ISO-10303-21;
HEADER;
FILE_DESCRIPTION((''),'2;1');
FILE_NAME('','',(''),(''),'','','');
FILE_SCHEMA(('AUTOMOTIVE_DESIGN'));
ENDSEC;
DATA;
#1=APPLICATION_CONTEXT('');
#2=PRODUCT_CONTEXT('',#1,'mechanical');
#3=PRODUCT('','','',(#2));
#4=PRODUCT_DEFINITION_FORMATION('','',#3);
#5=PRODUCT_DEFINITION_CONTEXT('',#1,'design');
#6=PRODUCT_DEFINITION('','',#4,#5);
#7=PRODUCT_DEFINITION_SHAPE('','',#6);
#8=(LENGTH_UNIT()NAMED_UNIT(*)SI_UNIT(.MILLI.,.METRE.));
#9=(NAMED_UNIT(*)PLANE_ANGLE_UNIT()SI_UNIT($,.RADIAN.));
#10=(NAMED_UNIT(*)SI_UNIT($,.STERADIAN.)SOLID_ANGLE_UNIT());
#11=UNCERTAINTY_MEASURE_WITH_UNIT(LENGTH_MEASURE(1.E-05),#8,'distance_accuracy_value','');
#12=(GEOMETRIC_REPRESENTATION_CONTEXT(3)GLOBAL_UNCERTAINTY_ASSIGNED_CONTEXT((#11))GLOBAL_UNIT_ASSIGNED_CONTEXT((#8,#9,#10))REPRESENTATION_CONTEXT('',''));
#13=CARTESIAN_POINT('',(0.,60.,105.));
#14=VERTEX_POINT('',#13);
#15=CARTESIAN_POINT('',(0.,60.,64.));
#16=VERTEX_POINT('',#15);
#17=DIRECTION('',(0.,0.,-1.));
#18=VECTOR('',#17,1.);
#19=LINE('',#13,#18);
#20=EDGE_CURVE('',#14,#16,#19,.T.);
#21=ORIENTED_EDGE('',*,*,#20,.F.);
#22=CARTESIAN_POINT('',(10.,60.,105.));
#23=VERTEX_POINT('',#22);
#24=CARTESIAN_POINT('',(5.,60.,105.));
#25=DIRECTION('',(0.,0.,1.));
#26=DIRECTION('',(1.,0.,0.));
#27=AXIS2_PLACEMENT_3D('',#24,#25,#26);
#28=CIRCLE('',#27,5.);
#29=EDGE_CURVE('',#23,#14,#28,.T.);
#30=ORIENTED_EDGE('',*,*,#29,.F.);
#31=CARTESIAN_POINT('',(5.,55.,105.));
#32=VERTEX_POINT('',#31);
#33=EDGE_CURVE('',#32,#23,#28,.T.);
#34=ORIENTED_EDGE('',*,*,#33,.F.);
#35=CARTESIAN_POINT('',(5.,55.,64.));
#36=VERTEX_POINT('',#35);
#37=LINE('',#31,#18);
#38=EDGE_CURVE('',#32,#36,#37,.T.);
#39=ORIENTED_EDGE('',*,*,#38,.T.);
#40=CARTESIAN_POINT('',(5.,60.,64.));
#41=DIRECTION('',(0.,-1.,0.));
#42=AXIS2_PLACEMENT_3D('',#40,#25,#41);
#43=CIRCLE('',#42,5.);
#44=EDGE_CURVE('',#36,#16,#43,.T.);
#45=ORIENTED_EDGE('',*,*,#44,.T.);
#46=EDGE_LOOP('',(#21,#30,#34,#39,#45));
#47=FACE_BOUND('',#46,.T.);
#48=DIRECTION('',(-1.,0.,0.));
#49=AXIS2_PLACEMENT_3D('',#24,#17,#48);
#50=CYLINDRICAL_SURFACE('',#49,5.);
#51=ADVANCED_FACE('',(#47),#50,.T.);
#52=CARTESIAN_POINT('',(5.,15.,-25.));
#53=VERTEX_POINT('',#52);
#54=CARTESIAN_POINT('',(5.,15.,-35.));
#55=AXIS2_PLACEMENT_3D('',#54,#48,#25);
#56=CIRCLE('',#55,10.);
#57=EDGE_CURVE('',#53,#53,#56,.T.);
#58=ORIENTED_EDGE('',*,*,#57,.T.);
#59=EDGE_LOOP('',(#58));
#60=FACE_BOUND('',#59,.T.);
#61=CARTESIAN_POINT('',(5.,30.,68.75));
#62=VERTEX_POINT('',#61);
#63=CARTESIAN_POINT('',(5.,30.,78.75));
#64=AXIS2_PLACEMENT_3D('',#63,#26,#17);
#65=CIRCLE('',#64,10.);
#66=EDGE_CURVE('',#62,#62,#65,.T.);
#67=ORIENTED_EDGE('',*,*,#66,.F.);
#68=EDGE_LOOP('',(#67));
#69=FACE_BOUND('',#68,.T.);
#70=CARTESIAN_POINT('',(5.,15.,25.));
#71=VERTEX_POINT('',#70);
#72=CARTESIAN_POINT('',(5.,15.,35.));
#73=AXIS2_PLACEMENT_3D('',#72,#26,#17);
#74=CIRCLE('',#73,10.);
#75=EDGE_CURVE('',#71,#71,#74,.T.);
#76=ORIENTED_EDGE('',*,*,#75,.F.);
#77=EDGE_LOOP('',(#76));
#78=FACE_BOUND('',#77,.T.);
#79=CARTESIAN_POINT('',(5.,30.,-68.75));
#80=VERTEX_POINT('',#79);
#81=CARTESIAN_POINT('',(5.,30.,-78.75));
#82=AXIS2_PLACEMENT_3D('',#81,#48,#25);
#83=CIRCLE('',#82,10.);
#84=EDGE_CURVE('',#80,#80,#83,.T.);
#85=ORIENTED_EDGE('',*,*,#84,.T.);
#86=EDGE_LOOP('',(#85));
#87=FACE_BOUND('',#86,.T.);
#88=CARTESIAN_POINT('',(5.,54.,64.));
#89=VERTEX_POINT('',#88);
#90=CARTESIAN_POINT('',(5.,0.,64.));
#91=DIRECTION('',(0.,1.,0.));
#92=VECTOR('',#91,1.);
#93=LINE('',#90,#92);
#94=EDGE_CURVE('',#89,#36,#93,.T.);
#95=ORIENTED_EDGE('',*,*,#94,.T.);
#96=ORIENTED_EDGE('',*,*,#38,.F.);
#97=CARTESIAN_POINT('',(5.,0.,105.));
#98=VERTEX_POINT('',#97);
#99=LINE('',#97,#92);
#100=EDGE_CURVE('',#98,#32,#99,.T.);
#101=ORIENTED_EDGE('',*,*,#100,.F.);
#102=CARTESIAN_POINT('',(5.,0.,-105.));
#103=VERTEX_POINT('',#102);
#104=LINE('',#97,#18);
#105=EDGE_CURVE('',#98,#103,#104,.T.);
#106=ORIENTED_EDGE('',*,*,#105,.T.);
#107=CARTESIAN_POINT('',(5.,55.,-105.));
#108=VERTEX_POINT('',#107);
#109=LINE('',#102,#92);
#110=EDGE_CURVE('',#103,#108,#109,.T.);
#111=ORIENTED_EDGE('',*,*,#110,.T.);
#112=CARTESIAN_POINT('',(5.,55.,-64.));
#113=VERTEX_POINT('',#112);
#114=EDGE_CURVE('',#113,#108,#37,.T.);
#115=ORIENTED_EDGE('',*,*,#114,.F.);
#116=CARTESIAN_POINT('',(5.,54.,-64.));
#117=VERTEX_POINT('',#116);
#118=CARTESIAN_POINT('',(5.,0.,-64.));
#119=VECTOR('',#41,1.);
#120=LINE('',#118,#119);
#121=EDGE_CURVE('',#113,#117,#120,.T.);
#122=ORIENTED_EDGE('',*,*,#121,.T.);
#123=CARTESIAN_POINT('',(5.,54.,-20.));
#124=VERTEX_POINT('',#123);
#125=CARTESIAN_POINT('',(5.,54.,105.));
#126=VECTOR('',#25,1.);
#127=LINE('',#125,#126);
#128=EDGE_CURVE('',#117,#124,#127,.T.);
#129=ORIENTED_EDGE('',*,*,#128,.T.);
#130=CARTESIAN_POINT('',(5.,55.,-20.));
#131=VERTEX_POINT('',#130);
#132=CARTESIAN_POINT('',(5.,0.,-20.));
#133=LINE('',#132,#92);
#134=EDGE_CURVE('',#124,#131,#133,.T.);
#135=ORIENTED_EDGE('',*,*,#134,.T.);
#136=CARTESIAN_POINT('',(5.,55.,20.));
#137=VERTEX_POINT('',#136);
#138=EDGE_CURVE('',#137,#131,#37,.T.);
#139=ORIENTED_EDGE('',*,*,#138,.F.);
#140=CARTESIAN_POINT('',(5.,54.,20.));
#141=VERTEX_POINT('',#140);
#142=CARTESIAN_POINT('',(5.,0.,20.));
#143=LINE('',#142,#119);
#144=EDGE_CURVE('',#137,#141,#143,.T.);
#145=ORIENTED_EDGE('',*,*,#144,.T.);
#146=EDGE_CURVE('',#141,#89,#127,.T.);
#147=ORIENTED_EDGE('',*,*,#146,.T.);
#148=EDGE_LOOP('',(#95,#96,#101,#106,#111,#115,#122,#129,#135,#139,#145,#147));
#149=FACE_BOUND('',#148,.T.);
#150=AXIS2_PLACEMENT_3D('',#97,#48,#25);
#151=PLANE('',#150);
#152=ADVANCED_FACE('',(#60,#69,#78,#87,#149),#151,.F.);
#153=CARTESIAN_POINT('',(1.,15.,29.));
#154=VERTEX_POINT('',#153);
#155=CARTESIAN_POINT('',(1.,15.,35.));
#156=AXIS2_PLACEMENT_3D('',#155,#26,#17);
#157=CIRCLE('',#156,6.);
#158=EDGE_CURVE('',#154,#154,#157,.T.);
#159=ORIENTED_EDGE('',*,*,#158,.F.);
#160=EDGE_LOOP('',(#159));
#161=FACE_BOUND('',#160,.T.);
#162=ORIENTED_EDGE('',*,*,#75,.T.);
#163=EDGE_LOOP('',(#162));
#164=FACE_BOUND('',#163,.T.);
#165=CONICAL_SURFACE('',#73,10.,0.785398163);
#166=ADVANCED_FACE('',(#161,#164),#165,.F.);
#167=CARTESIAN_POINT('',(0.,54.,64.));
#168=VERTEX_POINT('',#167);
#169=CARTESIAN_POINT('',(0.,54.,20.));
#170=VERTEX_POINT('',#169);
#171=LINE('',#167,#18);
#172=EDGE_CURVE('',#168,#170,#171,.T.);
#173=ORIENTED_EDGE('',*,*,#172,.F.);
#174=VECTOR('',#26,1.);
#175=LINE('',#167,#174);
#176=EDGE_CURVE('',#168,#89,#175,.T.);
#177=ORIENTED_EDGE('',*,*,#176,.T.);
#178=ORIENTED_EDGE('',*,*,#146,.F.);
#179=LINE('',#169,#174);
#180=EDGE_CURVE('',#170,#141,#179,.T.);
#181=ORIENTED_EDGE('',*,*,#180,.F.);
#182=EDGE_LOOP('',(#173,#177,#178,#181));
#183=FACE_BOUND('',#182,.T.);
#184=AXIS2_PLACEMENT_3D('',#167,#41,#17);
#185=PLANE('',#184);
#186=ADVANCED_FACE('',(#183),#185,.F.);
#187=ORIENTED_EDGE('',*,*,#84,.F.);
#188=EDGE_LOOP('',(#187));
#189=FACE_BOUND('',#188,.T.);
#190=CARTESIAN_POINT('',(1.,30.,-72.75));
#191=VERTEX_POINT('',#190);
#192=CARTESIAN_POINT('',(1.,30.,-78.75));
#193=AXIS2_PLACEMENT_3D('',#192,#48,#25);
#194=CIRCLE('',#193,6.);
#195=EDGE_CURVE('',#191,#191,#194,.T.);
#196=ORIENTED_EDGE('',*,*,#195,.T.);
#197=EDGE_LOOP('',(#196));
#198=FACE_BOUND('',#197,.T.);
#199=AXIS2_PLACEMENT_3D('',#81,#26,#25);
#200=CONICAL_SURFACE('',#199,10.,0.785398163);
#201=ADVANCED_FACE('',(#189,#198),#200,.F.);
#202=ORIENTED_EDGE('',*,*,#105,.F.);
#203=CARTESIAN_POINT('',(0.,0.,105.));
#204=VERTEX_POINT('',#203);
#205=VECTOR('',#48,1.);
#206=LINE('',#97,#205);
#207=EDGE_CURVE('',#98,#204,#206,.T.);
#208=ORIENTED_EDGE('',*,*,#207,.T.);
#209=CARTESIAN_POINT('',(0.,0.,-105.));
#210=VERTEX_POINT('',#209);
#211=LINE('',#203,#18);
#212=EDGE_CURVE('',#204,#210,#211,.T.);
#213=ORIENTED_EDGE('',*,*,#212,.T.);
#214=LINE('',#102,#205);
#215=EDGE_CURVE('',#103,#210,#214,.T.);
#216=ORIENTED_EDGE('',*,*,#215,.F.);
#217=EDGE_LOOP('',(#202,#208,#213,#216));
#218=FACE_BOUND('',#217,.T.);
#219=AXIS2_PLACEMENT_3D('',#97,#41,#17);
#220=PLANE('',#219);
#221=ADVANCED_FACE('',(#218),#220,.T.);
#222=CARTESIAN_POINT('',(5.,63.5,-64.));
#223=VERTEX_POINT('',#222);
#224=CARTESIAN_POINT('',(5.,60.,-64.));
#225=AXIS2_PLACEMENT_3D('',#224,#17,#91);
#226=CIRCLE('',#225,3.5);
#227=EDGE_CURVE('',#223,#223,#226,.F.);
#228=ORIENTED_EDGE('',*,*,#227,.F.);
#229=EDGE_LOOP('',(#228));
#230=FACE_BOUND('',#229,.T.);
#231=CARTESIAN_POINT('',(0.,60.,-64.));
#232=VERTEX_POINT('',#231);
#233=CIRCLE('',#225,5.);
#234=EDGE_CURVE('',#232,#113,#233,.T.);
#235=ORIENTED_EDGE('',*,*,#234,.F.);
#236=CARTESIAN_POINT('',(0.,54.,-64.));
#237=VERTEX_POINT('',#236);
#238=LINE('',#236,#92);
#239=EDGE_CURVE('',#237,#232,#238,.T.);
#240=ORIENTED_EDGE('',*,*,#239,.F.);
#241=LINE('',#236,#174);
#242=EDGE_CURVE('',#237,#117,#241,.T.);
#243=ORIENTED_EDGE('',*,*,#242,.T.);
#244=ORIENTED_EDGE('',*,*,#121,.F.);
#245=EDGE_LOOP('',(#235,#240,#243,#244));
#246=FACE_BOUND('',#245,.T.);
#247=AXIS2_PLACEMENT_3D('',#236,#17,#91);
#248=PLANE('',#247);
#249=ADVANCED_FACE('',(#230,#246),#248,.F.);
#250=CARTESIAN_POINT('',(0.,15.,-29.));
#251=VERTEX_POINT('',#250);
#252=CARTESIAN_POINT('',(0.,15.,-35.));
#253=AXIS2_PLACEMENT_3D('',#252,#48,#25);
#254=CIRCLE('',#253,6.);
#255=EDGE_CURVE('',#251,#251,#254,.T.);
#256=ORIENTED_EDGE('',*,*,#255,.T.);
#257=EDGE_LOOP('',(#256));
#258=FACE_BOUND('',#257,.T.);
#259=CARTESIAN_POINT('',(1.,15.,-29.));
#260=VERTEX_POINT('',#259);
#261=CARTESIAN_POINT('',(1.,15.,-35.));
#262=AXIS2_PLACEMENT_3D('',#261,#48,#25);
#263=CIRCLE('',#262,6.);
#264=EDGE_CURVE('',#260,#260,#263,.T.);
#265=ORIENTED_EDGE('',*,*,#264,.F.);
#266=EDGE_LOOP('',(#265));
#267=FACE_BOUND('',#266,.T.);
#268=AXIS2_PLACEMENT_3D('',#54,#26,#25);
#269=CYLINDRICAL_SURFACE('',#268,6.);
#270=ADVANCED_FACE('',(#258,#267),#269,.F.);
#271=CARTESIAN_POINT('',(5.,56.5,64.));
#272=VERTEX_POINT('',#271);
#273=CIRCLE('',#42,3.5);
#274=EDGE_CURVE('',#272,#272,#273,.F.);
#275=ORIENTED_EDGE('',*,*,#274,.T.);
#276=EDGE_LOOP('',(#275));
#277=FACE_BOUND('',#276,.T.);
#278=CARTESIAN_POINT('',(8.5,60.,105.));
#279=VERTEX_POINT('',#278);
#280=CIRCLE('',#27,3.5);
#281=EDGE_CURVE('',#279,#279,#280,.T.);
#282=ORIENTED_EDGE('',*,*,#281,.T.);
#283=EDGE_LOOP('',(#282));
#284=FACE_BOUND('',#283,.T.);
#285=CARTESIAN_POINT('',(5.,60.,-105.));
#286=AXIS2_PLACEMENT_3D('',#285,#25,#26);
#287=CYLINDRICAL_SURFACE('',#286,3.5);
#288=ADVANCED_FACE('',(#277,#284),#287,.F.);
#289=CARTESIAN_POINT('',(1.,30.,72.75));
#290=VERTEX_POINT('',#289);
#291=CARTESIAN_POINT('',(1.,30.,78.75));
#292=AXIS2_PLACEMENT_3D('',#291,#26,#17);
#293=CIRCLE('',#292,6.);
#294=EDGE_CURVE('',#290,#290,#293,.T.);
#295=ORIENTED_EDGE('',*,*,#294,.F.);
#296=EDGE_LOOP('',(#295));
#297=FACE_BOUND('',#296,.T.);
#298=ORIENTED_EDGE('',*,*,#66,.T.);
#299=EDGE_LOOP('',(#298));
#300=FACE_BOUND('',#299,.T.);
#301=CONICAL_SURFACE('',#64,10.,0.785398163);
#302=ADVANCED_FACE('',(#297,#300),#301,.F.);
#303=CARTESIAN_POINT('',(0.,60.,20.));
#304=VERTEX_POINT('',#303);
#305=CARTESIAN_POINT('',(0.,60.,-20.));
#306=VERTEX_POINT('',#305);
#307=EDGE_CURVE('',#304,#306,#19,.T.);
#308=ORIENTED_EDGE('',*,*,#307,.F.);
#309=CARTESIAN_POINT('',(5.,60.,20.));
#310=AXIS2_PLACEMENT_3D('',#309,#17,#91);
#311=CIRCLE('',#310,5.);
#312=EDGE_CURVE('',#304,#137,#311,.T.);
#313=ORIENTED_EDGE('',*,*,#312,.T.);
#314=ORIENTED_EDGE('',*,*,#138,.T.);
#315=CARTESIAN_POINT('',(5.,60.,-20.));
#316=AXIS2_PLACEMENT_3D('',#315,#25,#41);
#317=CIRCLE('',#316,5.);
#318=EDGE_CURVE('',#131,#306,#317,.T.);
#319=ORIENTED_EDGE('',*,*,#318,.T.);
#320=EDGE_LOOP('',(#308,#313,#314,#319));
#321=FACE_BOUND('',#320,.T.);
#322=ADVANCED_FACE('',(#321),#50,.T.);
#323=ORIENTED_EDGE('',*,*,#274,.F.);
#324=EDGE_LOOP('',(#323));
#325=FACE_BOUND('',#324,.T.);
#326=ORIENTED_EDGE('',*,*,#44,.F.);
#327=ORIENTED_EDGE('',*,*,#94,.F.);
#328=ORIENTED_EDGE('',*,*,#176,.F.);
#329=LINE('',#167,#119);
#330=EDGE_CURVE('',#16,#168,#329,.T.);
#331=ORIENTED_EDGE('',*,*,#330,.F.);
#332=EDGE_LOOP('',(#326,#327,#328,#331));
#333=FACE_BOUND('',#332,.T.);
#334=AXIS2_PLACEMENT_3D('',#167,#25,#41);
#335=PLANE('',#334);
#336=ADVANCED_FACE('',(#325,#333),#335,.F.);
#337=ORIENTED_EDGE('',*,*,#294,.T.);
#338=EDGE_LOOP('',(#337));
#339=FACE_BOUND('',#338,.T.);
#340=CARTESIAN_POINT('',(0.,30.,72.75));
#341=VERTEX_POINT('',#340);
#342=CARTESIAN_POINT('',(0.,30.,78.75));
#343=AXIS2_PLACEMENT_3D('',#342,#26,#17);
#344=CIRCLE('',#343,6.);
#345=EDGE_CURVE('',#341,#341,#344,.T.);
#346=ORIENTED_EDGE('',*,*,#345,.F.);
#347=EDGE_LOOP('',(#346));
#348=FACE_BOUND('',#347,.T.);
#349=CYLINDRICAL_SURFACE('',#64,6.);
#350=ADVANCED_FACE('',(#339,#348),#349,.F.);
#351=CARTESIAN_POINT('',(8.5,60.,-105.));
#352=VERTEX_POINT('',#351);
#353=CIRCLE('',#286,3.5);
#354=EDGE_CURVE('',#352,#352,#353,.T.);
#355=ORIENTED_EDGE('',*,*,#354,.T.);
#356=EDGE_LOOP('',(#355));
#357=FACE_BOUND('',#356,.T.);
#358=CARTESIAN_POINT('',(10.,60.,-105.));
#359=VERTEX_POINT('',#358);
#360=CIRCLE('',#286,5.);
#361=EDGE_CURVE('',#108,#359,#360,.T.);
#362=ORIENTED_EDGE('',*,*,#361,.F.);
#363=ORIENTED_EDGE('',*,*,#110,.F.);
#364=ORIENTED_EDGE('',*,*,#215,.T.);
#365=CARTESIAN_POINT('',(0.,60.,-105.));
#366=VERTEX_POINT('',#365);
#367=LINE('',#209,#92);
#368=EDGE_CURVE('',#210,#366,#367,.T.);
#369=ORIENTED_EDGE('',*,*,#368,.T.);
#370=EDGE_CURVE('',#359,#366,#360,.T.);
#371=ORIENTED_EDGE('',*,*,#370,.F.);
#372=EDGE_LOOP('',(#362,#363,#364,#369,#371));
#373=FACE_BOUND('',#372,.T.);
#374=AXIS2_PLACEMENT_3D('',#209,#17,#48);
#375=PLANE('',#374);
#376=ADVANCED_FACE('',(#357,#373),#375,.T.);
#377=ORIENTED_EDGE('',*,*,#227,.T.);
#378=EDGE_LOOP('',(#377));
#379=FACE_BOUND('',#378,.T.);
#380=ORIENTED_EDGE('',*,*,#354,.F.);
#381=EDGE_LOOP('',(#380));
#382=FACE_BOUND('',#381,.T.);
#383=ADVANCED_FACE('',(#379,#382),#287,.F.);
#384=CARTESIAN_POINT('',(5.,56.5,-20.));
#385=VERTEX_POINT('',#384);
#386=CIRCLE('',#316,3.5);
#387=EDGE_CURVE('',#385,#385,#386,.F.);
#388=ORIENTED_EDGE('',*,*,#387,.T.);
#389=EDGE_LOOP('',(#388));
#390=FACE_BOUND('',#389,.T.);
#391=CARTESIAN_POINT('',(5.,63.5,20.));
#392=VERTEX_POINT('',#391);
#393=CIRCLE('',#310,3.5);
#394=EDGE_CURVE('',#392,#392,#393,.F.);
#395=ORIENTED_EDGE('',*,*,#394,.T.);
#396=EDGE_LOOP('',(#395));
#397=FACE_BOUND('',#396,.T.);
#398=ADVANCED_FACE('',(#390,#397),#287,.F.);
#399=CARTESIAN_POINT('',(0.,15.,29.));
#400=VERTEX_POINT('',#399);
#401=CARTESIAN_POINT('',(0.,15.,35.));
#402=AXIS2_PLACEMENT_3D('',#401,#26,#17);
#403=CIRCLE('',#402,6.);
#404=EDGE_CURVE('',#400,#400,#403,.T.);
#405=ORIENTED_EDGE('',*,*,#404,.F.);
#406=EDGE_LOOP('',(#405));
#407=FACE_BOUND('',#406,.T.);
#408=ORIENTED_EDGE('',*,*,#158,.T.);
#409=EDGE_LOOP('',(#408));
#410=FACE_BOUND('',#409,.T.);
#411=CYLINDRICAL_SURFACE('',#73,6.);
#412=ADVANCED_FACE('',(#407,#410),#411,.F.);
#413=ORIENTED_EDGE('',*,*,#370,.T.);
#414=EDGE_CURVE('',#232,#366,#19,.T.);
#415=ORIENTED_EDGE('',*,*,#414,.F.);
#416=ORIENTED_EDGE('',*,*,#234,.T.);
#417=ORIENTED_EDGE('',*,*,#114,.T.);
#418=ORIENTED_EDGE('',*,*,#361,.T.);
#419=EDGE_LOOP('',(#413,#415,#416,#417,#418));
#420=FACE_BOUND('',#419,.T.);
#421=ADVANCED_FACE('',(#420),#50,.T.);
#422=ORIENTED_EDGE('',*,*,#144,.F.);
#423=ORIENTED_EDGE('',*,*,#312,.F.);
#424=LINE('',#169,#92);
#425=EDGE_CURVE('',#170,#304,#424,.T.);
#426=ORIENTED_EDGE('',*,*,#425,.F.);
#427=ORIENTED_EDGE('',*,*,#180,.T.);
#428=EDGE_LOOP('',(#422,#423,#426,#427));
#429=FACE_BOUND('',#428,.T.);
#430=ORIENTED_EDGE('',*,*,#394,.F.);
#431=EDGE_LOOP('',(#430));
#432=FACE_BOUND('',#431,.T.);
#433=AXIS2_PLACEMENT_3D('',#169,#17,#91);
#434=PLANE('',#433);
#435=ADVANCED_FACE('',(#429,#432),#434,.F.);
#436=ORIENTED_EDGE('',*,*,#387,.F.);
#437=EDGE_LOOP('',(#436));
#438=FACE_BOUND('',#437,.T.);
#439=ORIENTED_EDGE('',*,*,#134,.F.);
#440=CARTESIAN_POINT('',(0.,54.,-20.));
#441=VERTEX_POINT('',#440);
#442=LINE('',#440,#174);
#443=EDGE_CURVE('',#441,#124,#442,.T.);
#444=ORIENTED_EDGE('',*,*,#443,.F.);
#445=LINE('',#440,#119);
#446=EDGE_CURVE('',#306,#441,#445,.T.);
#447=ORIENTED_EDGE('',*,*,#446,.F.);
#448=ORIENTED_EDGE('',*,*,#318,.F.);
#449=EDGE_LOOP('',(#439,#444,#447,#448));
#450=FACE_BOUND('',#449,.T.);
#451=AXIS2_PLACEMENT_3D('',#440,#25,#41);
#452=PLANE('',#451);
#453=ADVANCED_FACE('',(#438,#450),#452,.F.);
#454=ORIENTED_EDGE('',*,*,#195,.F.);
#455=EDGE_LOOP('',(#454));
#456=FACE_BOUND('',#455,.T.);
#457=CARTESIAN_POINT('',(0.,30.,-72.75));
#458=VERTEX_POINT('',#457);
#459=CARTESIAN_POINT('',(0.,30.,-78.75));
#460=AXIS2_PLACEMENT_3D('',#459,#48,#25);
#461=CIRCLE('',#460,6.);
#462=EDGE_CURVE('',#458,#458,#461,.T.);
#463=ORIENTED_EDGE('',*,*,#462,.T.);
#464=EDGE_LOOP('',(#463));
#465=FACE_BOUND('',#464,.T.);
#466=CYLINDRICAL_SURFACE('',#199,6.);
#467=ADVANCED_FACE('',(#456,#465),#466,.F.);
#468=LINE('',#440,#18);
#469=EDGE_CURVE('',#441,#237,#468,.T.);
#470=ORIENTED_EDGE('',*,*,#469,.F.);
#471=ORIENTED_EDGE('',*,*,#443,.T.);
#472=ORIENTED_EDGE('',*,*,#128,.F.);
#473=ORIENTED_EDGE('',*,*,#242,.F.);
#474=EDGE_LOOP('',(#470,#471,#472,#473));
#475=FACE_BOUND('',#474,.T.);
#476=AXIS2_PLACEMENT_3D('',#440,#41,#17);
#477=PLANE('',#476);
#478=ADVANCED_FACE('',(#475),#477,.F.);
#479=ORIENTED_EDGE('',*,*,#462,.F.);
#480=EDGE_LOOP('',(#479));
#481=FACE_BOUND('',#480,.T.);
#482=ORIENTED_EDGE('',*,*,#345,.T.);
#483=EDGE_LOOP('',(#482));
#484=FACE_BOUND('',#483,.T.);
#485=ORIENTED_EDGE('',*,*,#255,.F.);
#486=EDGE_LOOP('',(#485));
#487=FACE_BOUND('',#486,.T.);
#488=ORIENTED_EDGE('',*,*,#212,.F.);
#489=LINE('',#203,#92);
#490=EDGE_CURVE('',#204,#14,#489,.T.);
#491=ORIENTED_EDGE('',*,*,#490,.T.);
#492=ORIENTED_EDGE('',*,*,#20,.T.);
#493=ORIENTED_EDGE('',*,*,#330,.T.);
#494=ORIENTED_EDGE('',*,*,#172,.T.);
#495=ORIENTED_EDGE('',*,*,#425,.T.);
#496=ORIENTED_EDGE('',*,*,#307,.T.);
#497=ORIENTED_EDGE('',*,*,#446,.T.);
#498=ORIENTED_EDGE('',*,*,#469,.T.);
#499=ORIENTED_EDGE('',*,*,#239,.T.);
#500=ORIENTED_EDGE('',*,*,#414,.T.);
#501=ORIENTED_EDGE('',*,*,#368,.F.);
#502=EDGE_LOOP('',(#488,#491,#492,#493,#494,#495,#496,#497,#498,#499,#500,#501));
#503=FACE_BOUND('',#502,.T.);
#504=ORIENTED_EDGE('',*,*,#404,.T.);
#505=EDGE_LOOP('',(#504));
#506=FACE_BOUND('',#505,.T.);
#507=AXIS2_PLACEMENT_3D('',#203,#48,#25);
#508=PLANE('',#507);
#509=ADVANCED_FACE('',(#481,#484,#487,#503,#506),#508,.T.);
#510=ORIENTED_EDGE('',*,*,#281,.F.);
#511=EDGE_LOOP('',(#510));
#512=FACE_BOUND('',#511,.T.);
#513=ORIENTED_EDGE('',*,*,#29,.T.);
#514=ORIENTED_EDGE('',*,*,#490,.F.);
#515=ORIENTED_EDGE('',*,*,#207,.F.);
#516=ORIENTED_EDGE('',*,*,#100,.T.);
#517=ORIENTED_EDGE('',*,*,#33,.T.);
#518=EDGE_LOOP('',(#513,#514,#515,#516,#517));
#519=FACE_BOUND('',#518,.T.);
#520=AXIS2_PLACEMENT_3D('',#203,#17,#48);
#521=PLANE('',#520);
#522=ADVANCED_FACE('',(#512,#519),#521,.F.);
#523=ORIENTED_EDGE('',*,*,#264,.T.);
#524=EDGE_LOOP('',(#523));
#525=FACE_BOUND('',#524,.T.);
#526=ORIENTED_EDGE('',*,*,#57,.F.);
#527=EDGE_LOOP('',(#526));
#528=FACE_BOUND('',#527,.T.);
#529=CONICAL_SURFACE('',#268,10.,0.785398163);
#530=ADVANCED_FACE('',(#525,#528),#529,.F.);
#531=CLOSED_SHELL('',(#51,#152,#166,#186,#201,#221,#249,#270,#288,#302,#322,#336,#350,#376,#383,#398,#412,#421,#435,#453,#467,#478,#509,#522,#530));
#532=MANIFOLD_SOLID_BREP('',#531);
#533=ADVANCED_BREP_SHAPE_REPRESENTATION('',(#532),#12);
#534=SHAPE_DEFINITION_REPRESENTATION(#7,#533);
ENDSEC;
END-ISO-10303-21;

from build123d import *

# Parameters (mm, degrees)
SKETCH_1_W                  = 5
SKETCH_1_H                  = 60
EXTRUDE_2_DEPTH             = 105
SKETCH_2_R                  = 5
SKETCH_3_R                  = 3.5
CUT_EXTRUDE_1_DEPTH         = 221.056810847
HOLE_WIZARD_M101_AT_2_COUNT = 2
HOLE_WIZARD_M101_AT_2_PITCH = 46.25
VIR_2_DEPTH                 = 124.592070943
VIR_2_DEPTH_BACK            = 124.592070943
SKETCH_12_W                 = 44
SKETCH_12_H                 = 11


with BuildPart() as part:
    # Эскиз1 → Вытянуть-Тонкостенный2 (new, symmetric)
    with BuildSketch(Plane.XY):
        with Locations((2.5, 30)):
            Rectangle(SKETCH_1_W, SKETCH_1_H)
    extrude(amount=EXTRUDE_2_DEPTH, both=True)

    # По траектории1: sweep along a curve in space
    with BuildLine() as sweep_1_path:
        Line((0, 60, 105), (0, 60, -105))
    # Эскиз2 → По траектории1 (sweep)
    with BuildSketch(Plane.XY.offset(105)):
        with Locations((5, 60)):
            Circle(SKETCH_2_R)
    sweep(path=sweep_1_path.line)

    # Эскиз3 → Вырез-Вытянуть1 (cut, through all)
    with BuildSketch(Plane.XY.offset(105)):
        with Locations((5, 60)):
            Circle(SKETCH_3_R)
    extrude(amount=-CUT_EXTRUDE_1_DEPTH, mode=Mode.SUBTRACT)

    # Эскиз8 → Зенковка для  винта с плоской головкой M101 (revolve, cut)
    with BuildSketch(Plane(origin=(5, 30, 78.75), x_dir=(0, 0, -1), z_dir=(0, 1, 0))):
        Polygon((0, 0), (0, 5), (6, 5), (6, 4), (10, 0), align=None)
    hole_wizard_m101 = revolve(axis=Axis((11.35, 30, 78.75), (-1, 0, 0)), mode=Mode.SUBTRACT)

    # Зенковка для  винта с плоской головкой M101 at 2: Зенковка для  винта с плоской головкой M101 ×2
    with Locations(*[Vector(0, -0.3243243243243243, -0.945945945945946) * (i * HOLE_WIZARD_M101_AT_2_PITCH) for i in range(1, HOLE_WIZARD_M101_AT_2_COUNT)]):
        add(hole_wizard_m101, mode=Mode.SUBTRACT)

    # Зеркальное отражение1: Зенковка для  винта с плоской головкой M101 across plane
    add(hole_wizard_m101.mirror(Plane.XY), mode=Mode.SUBTRACT)

    # Зеркальное отражение1 copy 1 sketch → Зеркальное отражение1 copy 1 (revolve, cut)
    with BuildSketch(Plane(origin=(5, 15, -35), x_dir=(0, 0, 1), z_dir=(0, 1, 0))):
        Polygon((0, 0), (0, -5), (6, -5), (6, -4), (10, 0), align=None)
    revolve(axis=Axis((11.35, 15, -35), (1, 0, 0)), mode=Mode.SUBTRACT)

    # Эскиз12 → vir_2 (cut, two sides: drawn at the far end of the back side and taken through both)
    with BuildSketch(Plane(origin=(5, 0, 0), x_dir=(0, 0, -1), z_dir=(1, 0, 0)).offset(-VIR_2_DEPTH_BACK)):
        with Locations((-42, 59.5)):
            Rectangle(SKETCH_12_W, SKETCH_12_H)
        with Locations((42, 59.5)):
            Rectangle(SKETCH_12_W, SKETCH_12_H)
    extrude(amount=VIR_2_DEPTH + VIR_2_DEPTH_BACK, mode=Mode.SUBTRACT)


solid = part.part
